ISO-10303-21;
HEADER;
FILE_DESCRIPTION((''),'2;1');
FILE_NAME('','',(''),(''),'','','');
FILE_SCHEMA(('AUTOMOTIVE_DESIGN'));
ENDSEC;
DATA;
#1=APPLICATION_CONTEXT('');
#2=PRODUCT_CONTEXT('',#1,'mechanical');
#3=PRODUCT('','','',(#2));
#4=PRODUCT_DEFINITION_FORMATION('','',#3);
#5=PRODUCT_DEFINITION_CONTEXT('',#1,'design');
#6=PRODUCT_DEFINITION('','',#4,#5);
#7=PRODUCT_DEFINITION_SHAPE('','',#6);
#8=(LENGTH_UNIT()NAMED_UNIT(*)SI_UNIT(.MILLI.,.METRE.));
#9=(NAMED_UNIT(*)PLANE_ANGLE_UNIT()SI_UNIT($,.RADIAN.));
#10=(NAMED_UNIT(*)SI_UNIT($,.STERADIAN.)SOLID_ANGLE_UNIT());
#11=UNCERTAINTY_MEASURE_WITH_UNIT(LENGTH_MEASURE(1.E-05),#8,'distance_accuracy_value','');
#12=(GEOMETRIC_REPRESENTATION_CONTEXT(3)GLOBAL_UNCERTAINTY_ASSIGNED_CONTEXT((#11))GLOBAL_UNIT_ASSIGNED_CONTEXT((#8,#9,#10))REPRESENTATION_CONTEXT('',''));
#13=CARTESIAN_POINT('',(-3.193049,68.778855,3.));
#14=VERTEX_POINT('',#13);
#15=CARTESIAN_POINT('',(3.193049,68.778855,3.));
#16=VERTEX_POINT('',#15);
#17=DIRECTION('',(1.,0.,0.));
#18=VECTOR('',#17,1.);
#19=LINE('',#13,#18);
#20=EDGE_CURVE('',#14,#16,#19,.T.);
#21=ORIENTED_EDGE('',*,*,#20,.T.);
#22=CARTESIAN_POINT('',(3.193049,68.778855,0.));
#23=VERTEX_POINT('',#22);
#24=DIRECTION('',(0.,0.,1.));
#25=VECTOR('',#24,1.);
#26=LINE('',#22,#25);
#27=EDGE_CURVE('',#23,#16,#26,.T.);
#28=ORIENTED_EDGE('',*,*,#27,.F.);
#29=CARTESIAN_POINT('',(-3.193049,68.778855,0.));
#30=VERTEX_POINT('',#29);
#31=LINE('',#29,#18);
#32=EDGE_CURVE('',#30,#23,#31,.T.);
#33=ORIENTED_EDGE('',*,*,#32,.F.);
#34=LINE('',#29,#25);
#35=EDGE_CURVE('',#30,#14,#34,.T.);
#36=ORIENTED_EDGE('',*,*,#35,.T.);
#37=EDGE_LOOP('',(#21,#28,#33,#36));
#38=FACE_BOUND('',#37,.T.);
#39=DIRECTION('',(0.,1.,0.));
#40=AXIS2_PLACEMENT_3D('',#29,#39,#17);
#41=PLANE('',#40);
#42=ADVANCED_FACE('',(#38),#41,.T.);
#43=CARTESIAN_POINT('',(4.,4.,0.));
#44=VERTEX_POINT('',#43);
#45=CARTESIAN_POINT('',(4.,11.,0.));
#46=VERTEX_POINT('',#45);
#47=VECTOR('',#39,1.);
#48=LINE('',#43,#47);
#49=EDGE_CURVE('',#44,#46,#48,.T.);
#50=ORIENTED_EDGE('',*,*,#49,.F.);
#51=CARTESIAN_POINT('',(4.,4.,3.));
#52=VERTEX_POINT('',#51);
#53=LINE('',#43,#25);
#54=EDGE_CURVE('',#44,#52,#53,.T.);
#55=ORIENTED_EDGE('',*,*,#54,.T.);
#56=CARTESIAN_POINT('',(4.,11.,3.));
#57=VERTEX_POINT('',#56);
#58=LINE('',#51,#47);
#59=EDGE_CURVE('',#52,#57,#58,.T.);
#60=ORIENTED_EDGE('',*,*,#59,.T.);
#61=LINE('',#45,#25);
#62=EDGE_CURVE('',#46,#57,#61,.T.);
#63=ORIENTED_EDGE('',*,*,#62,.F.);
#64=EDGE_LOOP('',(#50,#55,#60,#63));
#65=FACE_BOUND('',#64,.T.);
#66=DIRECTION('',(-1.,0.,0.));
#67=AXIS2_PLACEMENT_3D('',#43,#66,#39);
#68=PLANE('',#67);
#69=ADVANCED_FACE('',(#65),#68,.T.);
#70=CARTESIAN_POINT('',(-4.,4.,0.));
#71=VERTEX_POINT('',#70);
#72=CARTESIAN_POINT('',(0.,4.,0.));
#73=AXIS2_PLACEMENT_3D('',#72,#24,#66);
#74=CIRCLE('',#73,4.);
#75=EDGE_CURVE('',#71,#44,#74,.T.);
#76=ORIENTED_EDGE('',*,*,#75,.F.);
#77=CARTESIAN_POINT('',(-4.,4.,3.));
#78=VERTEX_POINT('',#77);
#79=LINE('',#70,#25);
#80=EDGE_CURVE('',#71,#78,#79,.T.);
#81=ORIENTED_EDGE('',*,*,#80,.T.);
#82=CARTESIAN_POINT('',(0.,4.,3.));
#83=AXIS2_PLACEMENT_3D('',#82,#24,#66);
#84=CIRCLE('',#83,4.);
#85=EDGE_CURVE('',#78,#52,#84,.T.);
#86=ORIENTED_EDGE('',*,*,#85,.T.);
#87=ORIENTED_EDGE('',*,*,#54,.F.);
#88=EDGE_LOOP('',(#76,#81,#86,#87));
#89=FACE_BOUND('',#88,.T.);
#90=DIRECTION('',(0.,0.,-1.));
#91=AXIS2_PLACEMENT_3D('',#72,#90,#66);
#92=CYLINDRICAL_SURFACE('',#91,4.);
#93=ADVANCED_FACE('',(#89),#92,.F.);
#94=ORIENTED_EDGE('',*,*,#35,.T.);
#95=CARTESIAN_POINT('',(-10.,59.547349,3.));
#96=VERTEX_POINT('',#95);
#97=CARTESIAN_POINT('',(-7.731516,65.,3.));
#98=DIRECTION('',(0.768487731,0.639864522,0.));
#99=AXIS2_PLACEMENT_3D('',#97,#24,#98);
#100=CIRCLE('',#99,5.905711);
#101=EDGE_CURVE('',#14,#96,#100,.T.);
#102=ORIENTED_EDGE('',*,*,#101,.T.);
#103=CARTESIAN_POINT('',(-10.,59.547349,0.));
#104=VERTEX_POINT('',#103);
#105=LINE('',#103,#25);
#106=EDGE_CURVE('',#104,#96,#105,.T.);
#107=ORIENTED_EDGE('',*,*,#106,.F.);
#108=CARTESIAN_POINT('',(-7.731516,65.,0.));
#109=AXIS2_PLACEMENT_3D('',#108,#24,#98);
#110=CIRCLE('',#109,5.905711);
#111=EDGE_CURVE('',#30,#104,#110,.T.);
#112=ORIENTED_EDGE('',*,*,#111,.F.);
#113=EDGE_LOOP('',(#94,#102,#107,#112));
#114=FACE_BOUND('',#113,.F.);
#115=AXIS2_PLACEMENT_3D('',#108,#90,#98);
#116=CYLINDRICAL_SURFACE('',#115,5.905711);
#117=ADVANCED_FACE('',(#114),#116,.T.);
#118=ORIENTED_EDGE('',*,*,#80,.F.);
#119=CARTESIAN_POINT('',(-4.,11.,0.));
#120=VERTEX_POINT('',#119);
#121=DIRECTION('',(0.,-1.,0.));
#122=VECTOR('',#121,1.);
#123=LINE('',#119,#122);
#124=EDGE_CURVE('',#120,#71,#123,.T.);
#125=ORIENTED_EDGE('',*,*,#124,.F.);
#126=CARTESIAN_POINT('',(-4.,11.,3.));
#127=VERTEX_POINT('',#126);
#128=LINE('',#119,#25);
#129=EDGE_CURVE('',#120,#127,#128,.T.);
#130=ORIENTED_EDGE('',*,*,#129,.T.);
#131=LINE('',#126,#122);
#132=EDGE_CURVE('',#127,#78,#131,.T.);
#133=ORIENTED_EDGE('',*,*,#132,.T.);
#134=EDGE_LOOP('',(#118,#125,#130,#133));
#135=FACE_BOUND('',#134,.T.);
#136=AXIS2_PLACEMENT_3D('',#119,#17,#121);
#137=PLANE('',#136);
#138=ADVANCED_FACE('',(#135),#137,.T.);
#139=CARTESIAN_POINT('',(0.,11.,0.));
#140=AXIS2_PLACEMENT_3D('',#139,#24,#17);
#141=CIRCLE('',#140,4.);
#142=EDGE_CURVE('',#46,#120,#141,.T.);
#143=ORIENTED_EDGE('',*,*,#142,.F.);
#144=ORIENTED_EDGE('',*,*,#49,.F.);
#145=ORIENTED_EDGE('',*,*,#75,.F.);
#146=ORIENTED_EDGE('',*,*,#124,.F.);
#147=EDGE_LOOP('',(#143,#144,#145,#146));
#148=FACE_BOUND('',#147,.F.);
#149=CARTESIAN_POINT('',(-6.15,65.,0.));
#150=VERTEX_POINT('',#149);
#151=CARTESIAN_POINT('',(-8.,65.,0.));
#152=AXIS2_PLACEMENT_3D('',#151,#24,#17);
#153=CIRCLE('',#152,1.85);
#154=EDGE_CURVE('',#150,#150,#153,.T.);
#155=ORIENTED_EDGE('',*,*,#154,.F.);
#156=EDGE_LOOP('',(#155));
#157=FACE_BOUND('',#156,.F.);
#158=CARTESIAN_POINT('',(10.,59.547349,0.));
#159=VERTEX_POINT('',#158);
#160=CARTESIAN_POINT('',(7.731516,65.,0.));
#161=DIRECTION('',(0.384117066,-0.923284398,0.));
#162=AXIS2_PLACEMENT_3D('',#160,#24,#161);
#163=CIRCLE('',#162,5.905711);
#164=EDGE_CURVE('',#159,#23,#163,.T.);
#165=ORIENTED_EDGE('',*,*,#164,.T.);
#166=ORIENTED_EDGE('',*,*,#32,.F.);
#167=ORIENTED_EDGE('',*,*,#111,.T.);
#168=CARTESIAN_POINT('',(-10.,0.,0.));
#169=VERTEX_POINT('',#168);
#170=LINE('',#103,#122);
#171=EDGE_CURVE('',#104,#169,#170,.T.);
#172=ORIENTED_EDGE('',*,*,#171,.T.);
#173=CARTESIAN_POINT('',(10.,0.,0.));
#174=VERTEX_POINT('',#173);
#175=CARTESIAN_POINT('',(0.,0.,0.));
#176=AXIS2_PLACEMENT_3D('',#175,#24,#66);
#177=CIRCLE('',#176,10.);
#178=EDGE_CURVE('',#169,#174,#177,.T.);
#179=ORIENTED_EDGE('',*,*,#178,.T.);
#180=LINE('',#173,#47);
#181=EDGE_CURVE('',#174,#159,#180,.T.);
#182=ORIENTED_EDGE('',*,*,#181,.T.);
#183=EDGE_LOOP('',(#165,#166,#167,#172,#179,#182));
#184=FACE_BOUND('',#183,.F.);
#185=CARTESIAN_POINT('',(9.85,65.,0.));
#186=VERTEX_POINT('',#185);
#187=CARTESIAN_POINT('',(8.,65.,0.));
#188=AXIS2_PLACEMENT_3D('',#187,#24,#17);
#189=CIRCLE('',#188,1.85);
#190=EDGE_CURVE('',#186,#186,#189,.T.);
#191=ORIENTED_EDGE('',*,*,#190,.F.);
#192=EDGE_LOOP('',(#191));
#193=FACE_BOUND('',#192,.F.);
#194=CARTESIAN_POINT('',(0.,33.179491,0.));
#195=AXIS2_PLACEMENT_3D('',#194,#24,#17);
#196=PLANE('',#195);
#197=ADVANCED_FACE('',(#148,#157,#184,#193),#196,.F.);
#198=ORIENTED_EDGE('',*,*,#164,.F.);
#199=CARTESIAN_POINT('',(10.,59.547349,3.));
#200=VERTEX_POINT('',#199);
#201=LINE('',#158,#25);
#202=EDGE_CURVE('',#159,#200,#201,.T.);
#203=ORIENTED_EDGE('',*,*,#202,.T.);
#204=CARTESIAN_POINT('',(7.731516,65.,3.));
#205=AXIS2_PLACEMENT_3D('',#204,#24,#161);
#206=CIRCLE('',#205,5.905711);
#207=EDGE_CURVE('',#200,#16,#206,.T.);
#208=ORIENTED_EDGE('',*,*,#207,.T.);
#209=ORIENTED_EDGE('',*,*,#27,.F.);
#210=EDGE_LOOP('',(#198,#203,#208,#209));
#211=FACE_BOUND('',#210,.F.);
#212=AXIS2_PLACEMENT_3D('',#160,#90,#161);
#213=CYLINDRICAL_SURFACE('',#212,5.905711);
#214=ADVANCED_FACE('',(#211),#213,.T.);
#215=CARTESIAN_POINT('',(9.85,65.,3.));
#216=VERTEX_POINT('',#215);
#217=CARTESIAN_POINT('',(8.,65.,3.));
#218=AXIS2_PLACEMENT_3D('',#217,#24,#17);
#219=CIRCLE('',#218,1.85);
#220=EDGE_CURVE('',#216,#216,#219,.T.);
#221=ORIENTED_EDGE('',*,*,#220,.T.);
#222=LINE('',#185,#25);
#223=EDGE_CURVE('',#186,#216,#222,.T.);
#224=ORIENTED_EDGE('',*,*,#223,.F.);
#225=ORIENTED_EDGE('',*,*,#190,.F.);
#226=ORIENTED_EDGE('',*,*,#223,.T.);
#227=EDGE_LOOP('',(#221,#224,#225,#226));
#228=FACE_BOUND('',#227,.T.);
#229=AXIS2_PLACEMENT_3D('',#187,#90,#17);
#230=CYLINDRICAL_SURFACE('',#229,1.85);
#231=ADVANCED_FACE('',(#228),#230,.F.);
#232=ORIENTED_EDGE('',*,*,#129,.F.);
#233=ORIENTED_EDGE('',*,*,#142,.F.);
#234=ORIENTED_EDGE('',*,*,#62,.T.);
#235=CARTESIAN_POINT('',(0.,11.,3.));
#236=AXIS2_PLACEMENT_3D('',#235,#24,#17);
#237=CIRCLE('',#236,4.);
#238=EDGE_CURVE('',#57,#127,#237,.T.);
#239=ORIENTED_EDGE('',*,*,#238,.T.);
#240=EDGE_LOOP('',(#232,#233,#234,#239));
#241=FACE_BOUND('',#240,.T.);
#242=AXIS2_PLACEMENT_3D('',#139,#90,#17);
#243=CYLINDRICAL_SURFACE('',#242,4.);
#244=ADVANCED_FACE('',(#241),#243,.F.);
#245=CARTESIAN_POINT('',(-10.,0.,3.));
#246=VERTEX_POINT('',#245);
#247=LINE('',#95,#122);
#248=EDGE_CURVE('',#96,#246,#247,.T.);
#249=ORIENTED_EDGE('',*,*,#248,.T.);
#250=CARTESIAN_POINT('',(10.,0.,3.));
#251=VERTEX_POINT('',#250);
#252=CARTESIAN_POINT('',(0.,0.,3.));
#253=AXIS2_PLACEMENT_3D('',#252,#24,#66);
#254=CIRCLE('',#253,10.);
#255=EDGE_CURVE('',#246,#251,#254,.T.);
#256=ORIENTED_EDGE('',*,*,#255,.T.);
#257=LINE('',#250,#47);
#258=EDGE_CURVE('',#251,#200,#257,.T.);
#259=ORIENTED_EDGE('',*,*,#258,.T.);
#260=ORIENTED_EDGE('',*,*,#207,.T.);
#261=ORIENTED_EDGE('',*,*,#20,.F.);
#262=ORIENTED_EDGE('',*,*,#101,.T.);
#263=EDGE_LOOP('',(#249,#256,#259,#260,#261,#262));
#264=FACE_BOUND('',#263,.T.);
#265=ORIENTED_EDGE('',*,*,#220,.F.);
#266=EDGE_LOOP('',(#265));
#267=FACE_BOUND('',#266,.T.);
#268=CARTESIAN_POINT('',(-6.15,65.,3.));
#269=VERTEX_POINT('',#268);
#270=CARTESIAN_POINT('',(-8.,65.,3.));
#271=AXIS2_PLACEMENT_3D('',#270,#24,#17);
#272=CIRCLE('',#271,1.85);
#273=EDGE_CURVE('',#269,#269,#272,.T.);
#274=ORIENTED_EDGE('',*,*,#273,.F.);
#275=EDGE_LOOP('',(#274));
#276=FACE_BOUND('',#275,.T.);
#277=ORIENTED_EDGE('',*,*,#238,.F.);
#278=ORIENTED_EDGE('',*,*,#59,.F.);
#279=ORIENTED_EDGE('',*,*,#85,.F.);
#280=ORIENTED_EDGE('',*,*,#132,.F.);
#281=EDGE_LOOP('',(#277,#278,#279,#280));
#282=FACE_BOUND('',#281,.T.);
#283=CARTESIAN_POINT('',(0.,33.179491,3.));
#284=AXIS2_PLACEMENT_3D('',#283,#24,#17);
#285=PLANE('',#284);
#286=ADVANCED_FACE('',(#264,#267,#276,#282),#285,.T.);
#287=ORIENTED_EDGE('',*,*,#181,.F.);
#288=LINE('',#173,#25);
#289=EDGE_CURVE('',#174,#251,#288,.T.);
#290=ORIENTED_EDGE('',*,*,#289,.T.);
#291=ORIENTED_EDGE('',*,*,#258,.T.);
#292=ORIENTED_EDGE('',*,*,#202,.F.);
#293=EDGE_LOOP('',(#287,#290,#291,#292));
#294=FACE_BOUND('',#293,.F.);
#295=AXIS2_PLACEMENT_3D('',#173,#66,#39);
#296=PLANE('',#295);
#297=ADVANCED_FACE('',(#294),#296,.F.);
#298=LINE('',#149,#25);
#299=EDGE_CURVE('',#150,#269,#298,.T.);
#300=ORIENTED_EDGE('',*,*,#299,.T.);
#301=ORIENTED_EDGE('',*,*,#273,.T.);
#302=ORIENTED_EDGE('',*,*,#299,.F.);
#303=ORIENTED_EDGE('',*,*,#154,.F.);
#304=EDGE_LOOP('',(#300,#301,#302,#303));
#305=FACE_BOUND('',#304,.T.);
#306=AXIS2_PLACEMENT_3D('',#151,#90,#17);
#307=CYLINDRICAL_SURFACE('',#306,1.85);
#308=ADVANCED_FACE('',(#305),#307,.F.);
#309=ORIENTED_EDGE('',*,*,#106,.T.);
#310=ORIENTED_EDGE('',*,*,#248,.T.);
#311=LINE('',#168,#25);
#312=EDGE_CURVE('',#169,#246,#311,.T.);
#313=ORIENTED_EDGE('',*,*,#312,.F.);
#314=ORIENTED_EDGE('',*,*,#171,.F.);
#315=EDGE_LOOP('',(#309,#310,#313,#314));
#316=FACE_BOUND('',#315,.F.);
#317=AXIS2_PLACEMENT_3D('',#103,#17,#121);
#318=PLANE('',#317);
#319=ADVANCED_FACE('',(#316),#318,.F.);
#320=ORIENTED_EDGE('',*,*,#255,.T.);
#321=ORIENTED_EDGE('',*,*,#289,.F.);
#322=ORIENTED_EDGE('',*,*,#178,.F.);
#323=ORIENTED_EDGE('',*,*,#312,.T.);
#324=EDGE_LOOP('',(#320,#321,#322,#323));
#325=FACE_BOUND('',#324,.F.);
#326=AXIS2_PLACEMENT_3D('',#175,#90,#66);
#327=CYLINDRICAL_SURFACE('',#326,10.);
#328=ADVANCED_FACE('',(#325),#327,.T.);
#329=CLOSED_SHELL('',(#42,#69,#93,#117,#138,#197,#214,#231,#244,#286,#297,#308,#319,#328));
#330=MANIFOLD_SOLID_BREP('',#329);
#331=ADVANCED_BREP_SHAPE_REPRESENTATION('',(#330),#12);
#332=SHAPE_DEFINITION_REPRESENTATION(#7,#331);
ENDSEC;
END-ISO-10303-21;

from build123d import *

# Parameters (mm, degrees)
SKETCH_R  = 1.85
PAD_DEPTH = 3


with BuildPart() as part:
    # Sketch → Pad (new body)
    with BuildSketch(Plane.XY):
        with BuildLine():
            ThreePointArc((-10, 0), (0, -10), (10, 0))
            Line((10, 0), (10, 59.547349))
            ThreePointArc((10, 59.547349), (12.484765, 68.50486), (3.193049, 68.778855))
            Line((-3.193049, 68.778855), (3.193049, 68.778855))
            ThreePointArc((-3.193049, 68.778855), (-12.484765, 68.50486), (-10, 59.547349))
            Line((-10, 59.547349), (-10, 0))
        make_face()
        with Locations((8, 65)):
            Circle(SKETCH_R, mode=Mode.SUBTRACT)
        with Locations((-8, 65)):
            Circle(SKETCH_R, mode=Mode.SUBTRACT)
        with BuildLine():
            ThreePointArc((4, 11), (0, 15), (-4, 11))
            Line((-4, 11), (-4, 4))
            ThreePointArc((-4, 4), (0, 0), (4, 4))
            Line((4, 4), (4, 11))
        make_face(mode=Mode.SUBTRACT)
    extrude(amount=PAD_DEPTH)


solid = part.part
